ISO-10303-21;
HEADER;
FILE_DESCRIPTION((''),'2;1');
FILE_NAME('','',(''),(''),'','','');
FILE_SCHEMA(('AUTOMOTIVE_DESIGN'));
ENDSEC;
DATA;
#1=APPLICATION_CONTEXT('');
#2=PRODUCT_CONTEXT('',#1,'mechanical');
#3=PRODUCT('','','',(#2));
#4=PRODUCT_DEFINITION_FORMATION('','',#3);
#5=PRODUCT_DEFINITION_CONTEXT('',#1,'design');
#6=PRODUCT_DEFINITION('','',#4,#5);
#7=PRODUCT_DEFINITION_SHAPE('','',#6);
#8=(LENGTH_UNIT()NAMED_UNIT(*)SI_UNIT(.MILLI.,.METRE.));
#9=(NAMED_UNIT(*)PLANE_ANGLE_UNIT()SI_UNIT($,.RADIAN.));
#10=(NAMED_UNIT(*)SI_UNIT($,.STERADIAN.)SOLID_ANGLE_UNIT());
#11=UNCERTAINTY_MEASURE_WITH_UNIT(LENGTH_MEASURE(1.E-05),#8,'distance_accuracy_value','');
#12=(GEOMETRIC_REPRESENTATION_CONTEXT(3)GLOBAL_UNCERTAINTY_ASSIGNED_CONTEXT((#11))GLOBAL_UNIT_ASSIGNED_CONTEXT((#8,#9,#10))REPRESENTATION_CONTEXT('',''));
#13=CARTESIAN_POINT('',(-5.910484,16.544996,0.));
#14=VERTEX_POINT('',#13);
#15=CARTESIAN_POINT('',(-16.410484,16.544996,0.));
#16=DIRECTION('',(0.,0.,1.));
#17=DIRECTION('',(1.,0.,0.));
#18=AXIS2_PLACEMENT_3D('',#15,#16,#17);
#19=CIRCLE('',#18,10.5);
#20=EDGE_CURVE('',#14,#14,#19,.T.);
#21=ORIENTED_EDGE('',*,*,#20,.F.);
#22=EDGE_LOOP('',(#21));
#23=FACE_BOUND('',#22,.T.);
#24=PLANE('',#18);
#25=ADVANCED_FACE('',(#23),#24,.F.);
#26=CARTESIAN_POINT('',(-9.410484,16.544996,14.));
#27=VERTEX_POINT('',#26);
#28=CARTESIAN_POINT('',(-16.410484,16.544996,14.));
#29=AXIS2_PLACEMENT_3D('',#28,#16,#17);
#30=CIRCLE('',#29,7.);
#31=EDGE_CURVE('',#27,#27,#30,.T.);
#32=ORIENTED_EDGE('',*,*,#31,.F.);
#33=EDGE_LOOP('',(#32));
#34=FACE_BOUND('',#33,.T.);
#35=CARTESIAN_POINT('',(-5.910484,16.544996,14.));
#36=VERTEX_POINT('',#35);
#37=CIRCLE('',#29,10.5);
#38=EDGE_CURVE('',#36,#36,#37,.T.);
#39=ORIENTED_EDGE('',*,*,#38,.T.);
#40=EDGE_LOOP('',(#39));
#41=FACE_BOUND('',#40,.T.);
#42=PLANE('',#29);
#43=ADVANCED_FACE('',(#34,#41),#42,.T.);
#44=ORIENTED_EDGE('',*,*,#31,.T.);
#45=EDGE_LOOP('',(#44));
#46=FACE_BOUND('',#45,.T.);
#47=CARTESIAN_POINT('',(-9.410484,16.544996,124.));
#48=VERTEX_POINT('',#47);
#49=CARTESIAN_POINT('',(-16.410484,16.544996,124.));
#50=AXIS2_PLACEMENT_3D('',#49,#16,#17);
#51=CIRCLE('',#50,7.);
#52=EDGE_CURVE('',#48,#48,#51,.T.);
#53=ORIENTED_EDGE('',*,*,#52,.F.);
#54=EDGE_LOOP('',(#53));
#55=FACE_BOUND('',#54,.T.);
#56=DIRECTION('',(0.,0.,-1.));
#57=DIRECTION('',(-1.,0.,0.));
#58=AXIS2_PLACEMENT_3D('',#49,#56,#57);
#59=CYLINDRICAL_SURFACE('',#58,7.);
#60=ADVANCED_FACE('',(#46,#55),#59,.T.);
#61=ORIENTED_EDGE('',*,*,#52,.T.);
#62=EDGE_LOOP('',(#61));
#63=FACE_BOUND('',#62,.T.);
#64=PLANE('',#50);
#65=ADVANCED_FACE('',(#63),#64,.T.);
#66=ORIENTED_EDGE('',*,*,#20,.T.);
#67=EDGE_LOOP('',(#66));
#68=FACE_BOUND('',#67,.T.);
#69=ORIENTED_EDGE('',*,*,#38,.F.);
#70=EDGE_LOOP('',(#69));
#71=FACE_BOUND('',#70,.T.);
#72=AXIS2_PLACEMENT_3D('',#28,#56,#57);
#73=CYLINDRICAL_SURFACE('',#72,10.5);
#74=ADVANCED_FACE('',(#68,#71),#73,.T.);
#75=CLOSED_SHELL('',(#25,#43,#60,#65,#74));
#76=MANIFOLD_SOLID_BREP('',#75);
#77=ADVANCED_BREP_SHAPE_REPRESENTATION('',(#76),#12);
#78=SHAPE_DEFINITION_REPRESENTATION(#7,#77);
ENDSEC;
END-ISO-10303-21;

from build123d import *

# Parameters (mm, degrees)
SKETCH_1_R      = 10.5
EXTRUDE_1_DEPTH = 14
SKETCH_2_R      = 7
EXTRUDE_2_DEPTH = 110


with BuildPart() as part:
    # 草图1 → 凸台-拉伸1 (new body)
    with BuildSketch(Plane.XY):
        with Locations((-16.410483799, 16.544995961)):
            Circle(SKETCH_1_R)
    extrude(amount=EXTRUDE_1_DEPTH)

    # 草图2 → 凸台-拉伸2 (add)
    with BuildSketch(Plane.XY.offset(14)):
        with Locations((-16.410483799, 16.544995961)):
            Circle(SKETCH_2_R)
    extrude(amount=EXTRUDE_2_DEPTH)


solid = part.part
